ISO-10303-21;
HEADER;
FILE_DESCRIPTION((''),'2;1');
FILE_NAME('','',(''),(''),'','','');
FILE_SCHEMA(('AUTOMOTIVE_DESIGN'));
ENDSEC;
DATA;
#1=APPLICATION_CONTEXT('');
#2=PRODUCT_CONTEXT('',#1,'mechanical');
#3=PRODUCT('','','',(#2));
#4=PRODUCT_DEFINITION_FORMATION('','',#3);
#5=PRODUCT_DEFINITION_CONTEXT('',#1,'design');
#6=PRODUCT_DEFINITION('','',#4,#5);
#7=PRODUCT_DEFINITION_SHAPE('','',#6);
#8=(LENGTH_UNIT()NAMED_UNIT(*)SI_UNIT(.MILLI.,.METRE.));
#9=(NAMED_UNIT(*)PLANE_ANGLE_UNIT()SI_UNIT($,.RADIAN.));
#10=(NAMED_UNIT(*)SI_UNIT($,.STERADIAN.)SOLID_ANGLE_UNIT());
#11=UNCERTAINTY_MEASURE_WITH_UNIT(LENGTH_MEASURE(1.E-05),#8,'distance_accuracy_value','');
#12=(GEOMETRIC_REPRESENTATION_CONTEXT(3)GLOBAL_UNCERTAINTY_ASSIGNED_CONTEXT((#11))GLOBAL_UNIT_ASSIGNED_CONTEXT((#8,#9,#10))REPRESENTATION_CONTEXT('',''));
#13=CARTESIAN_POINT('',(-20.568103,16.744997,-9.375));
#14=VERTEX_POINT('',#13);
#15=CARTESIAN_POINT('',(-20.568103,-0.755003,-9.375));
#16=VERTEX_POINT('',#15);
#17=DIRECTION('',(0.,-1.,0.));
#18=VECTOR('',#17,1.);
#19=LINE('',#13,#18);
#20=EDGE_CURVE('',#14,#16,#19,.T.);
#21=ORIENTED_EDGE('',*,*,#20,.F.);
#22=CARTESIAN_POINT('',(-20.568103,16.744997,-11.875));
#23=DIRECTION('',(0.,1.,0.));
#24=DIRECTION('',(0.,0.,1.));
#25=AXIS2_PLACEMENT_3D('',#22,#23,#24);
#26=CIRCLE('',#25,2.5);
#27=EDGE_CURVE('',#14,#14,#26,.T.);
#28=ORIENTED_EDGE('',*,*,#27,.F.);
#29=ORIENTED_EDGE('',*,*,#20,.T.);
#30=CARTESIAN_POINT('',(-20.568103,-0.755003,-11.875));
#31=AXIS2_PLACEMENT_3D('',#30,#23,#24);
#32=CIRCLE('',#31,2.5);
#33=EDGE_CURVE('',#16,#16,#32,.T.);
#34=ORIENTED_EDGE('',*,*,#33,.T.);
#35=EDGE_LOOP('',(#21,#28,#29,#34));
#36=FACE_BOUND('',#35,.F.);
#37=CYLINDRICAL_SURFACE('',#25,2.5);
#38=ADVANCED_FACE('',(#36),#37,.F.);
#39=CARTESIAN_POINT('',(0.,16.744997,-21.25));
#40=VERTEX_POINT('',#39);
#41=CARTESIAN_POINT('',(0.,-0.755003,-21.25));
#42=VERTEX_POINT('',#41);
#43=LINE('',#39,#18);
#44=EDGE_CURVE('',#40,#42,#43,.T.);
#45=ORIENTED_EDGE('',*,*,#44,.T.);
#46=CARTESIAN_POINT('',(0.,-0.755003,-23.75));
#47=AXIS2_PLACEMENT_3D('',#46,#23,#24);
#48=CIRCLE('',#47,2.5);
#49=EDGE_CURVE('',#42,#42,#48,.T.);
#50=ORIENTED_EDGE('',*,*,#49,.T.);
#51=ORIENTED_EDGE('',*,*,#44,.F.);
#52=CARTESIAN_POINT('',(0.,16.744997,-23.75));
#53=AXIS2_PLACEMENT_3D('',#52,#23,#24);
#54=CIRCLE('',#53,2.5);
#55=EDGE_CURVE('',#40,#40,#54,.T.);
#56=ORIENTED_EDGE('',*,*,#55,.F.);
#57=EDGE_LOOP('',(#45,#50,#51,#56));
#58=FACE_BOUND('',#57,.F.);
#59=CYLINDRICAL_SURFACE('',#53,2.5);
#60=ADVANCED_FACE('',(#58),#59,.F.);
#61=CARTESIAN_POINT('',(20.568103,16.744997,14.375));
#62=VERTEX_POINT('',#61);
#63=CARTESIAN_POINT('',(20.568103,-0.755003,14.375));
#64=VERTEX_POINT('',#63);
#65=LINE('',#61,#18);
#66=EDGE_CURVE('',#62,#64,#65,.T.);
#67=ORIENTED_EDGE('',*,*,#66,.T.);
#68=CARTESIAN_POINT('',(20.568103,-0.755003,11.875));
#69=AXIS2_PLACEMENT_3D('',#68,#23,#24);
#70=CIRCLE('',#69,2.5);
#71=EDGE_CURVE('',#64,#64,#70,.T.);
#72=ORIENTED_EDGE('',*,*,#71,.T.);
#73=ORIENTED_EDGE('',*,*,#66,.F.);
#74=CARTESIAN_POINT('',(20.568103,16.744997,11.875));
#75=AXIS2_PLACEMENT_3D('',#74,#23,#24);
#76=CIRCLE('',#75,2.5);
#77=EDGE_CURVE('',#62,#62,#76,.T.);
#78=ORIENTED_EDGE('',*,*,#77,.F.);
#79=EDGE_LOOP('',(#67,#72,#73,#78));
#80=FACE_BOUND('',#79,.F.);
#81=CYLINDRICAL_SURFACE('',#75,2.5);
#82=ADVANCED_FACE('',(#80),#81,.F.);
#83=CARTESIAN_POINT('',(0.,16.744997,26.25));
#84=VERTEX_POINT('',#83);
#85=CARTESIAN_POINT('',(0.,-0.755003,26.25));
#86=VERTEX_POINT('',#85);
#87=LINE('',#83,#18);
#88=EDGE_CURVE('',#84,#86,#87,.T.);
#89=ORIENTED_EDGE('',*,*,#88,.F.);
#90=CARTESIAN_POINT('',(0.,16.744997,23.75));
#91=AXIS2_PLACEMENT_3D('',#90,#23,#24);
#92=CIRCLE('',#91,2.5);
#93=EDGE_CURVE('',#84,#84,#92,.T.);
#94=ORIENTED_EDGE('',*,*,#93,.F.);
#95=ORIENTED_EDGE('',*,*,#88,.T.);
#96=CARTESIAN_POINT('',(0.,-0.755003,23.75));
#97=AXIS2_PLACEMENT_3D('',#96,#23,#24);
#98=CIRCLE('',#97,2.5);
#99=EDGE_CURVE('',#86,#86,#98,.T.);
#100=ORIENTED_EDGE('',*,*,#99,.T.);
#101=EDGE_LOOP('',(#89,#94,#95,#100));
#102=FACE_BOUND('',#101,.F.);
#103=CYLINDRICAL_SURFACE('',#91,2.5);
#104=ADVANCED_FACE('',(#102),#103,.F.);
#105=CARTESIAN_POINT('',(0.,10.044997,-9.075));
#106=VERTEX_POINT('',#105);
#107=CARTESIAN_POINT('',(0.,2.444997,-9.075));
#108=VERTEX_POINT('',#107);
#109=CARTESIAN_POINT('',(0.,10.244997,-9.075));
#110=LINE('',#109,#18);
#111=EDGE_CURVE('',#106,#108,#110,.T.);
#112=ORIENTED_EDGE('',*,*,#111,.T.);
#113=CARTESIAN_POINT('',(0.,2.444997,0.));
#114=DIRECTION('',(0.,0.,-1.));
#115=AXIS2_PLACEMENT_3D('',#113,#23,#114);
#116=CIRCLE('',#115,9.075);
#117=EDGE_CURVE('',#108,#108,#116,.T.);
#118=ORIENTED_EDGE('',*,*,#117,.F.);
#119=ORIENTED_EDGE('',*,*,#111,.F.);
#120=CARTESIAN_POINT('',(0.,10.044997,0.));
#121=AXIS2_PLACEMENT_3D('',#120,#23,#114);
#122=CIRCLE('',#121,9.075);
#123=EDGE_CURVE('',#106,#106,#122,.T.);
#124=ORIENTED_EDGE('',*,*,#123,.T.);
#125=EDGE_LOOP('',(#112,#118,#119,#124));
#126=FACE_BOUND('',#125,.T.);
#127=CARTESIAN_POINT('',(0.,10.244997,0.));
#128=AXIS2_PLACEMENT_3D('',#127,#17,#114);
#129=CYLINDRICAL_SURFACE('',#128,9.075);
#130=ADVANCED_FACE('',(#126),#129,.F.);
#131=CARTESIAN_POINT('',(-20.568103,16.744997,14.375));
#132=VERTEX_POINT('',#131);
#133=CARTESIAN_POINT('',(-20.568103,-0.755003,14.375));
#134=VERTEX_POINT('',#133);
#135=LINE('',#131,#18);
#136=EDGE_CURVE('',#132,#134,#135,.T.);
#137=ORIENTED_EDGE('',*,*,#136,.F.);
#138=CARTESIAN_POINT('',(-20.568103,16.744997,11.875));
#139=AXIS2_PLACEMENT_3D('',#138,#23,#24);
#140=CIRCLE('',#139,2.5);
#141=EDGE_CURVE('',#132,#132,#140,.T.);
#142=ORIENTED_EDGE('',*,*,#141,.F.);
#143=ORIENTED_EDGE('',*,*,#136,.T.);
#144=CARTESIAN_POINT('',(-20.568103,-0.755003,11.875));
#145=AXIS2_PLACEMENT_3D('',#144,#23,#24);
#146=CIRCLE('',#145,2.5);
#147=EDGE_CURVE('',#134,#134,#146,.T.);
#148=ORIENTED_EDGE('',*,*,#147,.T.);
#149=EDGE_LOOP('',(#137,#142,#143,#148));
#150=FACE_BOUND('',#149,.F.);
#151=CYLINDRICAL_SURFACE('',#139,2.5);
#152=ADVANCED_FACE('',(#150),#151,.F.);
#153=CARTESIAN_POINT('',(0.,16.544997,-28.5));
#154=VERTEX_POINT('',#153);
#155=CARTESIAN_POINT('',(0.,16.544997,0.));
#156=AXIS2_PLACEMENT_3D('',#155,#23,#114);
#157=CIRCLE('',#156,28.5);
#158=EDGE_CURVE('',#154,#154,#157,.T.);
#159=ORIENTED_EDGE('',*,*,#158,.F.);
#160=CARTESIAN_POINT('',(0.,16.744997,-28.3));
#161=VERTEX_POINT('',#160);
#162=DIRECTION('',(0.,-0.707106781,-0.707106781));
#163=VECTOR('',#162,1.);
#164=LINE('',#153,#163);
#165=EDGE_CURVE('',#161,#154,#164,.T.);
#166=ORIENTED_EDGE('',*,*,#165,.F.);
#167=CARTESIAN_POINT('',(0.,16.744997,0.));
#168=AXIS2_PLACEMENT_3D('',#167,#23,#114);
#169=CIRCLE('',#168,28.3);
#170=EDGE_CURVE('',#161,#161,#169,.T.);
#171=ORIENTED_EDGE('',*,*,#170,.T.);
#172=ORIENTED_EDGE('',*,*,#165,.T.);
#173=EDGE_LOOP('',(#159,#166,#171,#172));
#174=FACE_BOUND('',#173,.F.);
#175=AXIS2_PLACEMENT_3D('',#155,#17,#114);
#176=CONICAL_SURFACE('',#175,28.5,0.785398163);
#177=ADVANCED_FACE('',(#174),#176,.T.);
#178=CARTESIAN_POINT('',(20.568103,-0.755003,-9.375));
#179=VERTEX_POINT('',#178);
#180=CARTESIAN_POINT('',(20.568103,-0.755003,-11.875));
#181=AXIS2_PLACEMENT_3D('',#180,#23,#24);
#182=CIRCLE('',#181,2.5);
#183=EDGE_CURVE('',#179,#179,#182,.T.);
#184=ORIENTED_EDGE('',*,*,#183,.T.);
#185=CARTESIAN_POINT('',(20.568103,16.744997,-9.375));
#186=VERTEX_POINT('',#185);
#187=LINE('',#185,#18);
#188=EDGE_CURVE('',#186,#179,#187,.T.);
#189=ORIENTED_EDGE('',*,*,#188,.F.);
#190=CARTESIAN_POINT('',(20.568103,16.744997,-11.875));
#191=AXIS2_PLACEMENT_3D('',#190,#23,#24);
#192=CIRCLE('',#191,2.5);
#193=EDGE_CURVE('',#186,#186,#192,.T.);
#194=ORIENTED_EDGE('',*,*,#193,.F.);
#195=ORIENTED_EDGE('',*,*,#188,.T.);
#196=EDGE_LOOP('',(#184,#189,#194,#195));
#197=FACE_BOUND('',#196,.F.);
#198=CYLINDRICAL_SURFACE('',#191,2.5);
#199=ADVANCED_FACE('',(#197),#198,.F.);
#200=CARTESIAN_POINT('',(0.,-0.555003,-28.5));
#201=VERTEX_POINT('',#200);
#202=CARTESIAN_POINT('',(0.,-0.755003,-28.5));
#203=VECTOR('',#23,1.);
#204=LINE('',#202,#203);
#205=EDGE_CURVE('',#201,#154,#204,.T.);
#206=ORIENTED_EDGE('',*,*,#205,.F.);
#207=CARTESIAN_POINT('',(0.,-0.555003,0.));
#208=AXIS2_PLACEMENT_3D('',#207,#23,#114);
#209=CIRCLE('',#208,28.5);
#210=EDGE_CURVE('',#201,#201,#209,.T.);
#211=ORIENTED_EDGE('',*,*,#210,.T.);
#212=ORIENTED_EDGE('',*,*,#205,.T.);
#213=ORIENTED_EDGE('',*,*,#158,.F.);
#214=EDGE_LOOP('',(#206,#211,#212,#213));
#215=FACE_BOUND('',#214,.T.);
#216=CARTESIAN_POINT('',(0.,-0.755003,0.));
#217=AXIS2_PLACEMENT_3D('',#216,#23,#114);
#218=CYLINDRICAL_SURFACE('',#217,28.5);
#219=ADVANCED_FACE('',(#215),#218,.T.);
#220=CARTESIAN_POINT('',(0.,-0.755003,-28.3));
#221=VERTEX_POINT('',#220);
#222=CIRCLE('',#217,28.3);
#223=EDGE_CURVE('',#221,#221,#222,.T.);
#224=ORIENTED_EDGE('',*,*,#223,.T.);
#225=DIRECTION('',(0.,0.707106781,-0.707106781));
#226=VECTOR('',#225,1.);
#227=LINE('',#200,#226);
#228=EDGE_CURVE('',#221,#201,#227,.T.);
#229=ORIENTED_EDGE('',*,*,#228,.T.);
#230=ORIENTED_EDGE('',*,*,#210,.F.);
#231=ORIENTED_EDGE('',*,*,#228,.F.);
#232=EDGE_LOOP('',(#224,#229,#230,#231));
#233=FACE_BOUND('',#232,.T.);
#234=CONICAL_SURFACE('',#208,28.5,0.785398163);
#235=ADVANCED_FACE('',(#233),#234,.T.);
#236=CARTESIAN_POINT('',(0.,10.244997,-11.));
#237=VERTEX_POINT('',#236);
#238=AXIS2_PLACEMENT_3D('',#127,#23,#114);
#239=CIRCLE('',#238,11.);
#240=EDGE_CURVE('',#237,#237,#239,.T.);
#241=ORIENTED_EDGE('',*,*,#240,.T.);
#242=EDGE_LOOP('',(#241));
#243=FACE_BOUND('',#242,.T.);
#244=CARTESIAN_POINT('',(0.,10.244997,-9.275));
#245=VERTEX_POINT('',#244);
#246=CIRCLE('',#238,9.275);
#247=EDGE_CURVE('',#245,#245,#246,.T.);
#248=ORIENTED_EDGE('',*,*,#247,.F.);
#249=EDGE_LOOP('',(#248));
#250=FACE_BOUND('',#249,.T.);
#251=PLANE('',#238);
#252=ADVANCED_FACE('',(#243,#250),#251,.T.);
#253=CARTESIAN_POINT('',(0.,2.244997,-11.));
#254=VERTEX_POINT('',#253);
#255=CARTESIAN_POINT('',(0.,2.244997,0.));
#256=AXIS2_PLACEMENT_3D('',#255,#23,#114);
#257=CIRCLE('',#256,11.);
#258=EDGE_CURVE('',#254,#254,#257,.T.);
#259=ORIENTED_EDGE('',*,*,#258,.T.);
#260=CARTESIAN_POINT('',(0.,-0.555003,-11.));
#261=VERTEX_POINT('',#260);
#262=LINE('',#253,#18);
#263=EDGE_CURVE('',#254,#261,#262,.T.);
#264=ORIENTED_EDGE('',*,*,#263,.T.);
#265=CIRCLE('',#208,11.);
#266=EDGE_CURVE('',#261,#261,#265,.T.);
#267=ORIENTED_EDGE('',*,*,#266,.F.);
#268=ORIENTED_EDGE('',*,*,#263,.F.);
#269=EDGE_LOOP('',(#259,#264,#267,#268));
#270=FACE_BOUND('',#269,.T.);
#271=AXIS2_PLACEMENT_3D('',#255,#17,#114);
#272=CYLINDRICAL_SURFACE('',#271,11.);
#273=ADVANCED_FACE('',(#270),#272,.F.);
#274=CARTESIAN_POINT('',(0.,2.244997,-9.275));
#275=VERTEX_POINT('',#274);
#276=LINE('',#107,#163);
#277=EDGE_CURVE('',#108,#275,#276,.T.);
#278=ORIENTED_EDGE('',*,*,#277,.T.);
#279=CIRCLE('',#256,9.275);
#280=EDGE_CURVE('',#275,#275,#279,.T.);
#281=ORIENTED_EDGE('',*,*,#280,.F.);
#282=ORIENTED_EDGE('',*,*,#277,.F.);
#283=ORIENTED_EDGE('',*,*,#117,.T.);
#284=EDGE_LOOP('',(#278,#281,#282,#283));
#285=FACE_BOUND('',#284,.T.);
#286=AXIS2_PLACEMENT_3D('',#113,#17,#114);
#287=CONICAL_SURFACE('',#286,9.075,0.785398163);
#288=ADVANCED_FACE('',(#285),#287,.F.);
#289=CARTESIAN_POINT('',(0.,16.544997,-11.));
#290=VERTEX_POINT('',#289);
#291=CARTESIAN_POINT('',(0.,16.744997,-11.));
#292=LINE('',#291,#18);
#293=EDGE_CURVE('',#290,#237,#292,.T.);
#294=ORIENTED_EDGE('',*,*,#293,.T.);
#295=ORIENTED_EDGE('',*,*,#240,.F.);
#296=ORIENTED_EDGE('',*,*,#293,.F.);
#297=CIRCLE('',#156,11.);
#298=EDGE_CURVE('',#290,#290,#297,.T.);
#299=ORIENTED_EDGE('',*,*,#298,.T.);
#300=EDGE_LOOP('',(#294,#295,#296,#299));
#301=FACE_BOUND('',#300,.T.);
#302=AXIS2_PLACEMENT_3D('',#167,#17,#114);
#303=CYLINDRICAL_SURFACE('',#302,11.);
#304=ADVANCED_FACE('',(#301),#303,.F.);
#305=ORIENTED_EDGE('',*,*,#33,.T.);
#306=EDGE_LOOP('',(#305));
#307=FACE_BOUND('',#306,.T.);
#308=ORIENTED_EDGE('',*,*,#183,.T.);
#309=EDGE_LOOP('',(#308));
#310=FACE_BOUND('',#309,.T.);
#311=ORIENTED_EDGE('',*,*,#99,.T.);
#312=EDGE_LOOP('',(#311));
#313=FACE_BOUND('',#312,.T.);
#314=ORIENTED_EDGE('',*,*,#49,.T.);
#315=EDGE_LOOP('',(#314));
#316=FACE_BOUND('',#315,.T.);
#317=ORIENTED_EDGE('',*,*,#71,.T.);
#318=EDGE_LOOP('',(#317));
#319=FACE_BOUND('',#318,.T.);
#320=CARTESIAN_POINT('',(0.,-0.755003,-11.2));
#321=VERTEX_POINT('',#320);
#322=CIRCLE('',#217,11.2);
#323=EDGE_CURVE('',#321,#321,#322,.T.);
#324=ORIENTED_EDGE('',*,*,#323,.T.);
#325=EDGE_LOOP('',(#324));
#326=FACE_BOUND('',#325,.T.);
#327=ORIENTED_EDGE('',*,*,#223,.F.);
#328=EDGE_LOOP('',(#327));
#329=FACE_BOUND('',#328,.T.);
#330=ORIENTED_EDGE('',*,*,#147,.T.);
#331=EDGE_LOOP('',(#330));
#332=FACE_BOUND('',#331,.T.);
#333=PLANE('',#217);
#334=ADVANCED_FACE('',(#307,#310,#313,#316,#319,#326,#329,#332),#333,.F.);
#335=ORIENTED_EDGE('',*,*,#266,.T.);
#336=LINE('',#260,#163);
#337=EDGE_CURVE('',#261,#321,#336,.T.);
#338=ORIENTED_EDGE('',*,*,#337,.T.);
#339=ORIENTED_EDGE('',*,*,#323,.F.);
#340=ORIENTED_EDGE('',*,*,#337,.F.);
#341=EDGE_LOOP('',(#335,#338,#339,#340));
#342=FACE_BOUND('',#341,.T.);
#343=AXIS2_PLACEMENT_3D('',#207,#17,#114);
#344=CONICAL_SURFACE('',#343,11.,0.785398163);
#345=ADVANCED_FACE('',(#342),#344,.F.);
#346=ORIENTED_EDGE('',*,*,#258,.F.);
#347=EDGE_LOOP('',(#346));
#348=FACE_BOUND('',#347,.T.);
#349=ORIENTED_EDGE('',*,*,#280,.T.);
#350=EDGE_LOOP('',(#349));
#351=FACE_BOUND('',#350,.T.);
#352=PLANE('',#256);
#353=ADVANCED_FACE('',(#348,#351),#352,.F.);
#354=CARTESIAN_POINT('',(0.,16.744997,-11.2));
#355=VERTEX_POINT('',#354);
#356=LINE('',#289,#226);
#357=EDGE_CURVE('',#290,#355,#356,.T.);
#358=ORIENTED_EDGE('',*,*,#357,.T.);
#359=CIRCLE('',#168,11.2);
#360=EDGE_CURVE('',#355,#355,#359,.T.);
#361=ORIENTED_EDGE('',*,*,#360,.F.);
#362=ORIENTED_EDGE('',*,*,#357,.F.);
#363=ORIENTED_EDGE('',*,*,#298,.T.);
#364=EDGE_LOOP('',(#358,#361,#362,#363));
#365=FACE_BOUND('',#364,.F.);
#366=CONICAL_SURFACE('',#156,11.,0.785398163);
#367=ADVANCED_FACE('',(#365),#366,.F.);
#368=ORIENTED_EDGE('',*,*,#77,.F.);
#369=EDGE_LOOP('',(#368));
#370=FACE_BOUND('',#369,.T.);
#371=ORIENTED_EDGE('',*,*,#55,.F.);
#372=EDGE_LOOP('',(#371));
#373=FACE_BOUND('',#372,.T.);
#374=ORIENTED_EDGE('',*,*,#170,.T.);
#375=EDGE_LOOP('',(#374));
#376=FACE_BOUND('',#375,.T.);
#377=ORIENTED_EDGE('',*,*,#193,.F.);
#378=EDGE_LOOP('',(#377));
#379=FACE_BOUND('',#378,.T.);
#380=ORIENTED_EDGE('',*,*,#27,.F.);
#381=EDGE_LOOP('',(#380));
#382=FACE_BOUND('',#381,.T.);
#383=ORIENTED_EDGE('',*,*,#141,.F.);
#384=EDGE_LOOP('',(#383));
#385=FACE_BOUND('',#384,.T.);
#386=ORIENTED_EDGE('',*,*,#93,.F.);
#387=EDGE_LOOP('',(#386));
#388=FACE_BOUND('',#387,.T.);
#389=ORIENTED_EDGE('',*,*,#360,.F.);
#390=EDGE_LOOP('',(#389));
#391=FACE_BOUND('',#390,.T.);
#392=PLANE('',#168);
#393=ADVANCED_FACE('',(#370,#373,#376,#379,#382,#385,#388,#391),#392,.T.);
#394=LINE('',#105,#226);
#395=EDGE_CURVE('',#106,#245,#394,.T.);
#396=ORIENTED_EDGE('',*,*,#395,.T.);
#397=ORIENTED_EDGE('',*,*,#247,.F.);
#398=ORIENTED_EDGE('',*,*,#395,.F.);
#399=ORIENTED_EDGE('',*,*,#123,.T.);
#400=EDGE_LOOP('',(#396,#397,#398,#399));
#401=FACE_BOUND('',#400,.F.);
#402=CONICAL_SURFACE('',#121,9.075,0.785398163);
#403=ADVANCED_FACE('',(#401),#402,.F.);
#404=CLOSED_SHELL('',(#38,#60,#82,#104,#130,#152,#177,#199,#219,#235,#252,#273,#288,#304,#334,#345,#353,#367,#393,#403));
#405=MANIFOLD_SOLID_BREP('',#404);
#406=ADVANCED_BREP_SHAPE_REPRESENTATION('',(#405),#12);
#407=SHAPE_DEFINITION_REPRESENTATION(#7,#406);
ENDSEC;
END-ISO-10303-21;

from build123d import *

# Parameters (mm, degrees)
SKETCH_3_R          = 2.5
CUT_EXTRUDE_1_DEPTH = 17.5
CHAMFER_1_SIZE      = 0.2


with BuildPart() as part:
    # ｽｹｯﾁ2 → 回転1 (revolve)
    with BuildSketch(Plane.XY, mode=Mode.PRIVATE) as revolve_1_sk:
        Polygon((-9.075, 10.244997288), (-9.075, 2.244997288), (-11, 2.244997288), (-11, -0.755002712), (-28.5, -0.755002712), (-28.5, 16.744997288), (-11, 16.744997288), (-11, 10.244997288), align=None)
    revolve(revolve_1_sk.sketch.rotate(Axis((0, 0, 0), (0, 1, 0)), 270), axis=Axis((0, 0, 0), (0, 1, 0)))

    # ｽｹｯﾁ3 → ｶｯﾄ - 押し出し1 (cut)
    with BuildSketch(Plane(origin=(0, 16.744997288, 0), x_dir=(1, 0, 0), z_dir=(0, 1, 0))):
        with Locations(Location((0, 23.75, 0), (0, 0, 270))):
            Circle(SKETCH_3_R)
        with Locations(Location((20.56810334, 11.875, 0), (0, 0, 270))):
            Circle(SKETCH_3_R)
        with Locations(Location((20.56810334, -11.875, 0), (0, 0, 270))):
            Circle(SKETCH_3_R)
        with Locations(Location((0, -23.75, 0), (0, 0, 270))):
            Circle(SKETCH_3_R)
        with Locations(Location((-20.56810334, -11.875, 0), (0, 0, 270))):
            Circle(SKETCH_3_R)
        with Locations(Location((-20.56810334, 11.875, 0), (0, 0, 270))):
            Circle(SKETCH_3_R)
    extrude(amount=-CUT_EXTRUDE_1_DEPTH, mode=Mode.SUBTRACT)

    # 面取り1
    chamfer_1_edges = [part.edges().sort_by_distance(p)[0] for p in [
        (0, 16.744997288, 11),
        (0, 16.744997288, 28.5),
        (0, -0.755002712, 28.5),
        (0, -0.755002712, 11),
        (0, 2.244997288, 9.075),
        (0, 10.244997288, 9.075),
    ]]
    chamfer(chamfer_1_edges, length=CHAMFER_1_SIZE)


solid = part.part
